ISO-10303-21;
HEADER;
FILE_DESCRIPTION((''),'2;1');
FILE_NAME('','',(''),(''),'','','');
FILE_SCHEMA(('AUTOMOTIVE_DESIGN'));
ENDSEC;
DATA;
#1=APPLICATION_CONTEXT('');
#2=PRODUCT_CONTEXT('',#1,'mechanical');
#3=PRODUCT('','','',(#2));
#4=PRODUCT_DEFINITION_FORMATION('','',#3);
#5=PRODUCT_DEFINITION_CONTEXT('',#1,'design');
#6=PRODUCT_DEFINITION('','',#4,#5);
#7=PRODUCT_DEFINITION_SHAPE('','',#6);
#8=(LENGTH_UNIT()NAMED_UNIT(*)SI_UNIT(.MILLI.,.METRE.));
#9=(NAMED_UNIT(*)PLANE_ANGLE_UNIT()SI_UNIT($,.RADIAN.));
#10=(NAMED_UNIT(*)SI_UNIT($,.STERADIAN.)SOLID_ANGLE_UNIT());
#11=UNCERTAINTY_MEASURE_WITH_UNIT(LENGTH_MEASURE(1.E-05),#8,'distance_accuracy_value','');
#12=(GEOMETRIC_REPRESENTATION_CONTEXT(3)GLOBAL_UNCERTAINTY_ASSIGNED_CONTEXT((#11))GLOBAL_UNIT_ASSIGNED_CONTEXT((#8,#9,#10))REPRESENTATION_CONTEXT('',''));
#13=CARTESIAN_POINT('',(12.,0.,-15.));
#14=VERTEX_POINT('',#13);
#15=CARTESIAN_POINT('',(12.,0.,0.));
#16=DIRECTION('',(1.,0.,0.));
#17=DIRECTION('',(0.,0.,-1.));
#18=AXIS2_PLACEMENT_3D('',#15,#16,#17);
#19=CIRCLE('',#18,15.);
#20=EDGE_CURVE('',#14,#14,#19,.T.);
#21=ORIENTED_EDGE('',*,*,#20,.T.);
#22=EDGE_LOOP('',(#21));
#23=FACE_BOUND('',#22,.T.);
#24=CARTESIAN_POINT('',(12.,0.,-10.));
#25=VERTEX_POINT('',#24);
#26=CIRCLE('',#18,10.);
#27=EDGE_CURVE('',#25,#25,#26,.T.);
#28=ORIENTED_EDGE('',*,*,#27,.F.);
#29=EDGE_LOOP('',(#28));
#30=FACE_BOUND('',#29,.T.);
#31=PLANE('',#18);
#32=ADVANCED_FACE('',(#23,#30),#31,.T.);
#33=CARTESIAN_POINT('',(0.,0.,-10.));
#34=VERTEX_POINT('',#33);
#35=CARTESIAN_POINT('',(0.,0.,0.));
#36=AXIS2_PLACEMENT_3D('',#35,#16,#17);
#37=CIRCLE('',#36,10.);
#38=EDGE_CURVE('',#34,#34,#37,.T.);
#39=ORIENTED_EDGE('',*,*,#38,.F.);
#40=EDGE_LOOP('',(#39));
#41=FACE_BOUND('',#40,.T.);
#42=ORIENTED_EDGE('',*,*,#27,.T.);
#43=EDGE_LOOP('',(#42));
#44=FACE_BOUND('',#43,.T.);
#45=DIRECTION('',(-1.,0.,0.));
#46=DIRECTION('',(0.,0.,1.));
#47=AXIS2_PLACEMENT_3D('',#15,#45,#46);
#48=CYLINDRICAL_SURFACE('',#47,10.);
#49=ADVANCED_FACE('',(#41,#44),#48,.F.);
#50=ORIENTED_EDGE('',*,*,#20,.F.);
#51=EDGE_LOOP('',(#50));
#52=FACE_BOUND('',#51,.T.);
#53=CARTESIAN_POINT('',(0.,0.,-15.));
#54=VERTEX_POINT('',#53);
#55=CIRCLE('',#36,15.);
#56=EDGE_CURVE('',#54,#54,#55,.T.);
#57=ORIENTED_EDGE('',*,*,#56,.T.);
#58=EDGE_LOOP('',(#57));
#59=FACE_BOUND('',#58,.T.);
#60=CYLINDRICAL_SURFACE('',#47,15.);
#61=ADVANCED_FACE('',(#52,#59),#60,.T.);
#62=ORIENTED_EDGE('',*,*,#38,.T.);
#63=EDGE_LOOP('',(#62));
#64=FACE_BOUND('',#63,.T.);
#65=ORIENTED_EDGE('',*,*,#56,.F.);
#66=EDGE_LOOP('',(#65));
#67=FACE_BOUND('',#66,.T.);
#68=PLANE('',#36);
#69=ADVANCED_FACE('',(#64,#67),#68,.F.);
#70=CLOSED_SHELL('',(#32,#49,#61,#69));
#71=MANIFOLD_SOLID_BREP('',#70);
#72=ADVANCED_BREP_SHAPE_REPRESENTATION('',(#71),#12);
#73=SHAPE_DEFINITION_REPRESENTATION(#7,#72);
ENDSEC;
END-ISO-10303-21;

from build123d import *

# Parameters (mm, degrees)
SKETCH_1_R      = 15
SKETCH_1_R_2    = 10
EXTRUDE_1_DEPTH = 12


with BuildPart() as part:
    # 草图1 → 凸台-拉伸1 (new body)
    with BuildSketch(Plane(origin=(0, 0, 0), x_dir=(0, 0, -1), z_dir=(1, 0, 0))):
        Circle(SKETCH_1_R)
        Circle(SKETCH_1_R_2, mode=Mode.SUBTRACT)
    extrude(amount=EXTRUDE_1_DEPTH)


solid = part.part
